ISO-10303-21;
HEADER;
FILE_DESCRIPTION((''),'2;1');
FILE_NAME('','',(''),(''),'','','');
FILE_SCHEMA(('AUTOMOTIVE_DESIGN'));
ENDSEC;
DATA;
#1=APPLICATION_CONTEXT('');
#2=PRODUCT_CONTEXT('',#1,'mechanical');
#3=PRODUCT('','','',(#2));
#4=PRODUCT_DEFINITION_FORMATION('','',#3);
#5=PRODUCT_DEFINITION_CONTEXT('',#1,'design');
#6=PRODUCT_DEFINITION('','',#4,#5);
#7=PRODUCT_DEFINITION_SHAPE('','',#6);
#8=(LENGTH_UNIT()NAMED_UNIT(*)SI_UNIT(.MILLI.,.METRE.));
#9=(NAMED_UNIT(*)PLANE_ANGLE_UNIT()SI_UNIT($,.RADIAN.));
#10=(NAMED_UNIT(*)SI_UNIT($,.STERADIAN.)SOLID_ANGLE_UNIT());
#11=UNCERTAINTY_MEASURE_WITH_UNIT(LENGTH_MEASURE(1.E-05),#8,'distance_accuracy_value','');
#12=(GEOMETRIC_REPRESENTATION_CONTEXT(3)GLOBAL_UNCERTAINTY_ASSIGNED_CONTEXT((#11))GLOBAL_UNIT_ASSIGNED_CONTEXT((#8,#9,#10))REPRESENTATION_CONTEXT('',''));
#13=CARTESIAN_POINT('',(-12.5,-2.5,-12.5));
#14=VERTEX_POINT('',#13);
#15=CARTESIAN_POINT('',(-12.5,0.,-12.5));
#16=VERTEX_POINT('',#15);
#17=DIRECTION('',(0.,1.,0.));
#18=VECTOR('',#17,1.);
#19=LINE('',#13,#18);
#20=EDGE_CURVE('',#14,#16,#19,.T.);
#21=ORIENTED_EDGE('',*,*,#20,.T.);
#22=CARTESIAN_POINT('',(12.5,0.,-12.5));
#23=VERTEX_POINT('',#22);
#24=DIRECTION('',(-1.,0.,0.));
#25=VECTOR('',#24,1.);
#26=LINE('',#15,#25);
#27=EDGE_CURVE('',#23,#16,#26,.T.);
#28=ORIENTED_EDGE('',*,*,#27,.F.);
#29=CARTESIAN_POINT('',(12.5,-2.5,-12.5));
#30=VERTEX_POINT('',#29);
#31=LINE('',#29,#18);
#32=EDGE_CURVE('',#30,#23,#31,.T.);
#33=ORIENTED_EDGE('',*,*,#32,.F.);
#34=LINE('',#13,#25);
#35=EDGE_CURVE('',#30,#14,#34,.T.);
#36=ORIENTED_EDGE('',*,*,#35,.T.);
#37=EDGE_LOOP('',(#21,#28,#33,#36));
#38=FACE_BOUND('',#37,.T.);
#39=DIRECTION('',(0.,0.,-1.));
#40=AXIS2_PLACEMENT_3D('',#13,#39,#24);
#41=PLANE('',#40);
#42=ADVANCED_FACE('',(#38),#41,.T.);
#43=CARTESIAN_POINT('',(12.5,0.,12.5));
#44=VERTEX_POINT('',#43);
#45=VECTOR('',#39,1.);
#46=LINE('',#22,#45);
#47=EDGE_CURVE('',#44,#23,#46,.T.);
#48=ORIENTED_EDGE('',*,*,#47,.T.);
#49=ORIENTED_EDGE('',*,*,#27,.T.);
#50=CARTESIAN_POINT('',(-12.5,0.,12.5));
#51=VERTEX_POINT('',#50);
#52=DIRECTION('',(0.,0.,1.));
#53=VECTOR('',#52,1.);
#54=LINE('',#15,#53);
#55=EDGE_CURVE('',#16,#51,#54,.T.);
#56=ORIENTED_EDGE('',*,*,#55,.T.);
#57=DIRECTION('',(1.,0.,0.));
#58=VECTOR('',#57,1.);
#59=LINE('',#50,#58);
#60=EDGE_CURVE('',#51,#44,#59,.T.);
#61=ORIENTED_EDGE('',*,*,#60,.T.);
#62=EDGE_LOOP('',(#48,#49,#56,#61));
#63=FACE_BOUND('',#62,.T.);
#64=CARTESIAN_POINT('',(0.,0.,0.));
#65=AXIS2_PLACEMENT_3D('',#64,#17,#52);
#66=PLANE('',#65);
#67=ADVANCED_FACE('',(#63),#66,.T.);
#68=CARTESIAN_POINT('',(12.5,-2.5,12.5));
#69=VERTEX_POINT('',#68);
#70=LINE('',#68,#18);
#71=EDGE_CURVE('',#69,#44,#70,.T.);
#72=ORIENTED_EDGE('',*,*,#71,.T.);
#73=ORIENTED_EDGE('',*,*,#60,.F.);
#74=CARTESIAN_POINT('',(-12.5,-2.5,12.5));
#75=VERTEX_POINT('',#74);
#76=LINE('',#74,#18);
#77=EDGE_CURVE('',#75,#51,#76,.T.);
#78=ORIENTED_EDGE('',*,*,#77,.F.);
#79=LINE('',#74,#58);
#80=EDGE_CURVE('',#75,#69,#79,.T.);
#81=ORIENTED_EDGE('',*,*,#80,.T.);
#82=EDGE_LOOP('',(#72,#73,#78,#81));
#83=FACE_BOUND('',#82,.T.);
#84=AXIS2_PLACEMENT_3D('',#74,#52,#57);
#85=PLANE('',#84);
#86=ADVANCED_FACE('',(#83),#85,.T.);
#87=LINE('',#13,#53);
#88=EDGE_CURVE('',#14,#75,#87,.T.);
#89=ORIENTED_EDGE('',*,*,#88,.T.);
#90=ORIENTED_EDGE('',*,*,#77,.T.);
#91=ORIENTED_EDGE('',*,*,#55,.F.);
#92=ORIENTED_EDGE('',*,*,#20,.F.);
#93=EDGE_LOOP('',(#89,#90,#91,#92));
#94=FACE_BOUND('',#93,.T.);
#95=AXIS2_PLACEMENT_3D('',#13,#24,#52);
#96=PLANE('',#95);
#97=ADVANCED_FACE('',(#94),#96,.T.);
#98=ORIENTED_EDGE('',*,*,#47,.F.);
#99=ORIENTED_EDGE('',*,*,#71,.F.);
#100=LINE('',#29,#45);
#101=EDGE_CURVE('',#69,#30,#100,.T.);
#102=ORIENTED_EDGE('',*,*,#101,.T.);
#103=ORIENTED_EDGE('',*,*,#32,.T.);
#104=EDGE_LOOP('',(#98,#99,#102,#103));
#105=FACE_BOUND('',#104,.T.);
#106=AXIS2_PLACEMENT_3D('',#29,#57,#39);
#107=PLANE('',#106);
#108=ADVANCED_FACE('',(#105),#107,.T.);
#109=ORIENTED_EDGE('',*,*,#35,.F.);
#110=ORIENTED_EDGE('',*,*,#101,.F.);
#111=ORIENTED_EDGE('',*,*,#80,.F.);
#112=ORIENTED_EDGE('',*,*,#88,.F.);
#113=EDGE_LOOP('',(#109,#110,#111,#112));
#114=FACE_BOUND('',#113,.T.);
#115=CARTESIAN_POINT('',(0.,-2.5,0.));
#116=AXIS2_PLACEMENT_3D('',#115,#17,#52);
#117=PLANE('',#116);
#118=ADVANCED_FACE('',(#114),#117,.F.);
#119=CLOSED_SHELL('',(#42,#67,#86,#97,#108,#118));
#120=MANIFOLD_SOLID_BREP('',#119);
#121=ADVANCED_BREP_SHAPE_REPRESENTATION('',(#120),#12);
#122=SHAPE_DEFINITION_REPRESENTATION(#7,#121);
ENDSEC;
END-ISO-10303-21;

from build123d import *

# Parameters (mm, degrees)
SKETCH_1_W      = 25
SKETCH_1_H      = 25
EXTRUDE_1_DEPTH = 2.5


with BuildPart() as part:
    # 草图1 → 凸台-拉伸1 (new body)
    with BuildSketch(Plane(origin=(0, 0, 0), x_dir=(1, 0, 0), z_dir=(0, 1, 0))):
        Rectangle(SKETCH_1_W, SKETCH_1_H)
    extrude(amount=-EXTRUDE_1_DEPTH)


solid = part.part
